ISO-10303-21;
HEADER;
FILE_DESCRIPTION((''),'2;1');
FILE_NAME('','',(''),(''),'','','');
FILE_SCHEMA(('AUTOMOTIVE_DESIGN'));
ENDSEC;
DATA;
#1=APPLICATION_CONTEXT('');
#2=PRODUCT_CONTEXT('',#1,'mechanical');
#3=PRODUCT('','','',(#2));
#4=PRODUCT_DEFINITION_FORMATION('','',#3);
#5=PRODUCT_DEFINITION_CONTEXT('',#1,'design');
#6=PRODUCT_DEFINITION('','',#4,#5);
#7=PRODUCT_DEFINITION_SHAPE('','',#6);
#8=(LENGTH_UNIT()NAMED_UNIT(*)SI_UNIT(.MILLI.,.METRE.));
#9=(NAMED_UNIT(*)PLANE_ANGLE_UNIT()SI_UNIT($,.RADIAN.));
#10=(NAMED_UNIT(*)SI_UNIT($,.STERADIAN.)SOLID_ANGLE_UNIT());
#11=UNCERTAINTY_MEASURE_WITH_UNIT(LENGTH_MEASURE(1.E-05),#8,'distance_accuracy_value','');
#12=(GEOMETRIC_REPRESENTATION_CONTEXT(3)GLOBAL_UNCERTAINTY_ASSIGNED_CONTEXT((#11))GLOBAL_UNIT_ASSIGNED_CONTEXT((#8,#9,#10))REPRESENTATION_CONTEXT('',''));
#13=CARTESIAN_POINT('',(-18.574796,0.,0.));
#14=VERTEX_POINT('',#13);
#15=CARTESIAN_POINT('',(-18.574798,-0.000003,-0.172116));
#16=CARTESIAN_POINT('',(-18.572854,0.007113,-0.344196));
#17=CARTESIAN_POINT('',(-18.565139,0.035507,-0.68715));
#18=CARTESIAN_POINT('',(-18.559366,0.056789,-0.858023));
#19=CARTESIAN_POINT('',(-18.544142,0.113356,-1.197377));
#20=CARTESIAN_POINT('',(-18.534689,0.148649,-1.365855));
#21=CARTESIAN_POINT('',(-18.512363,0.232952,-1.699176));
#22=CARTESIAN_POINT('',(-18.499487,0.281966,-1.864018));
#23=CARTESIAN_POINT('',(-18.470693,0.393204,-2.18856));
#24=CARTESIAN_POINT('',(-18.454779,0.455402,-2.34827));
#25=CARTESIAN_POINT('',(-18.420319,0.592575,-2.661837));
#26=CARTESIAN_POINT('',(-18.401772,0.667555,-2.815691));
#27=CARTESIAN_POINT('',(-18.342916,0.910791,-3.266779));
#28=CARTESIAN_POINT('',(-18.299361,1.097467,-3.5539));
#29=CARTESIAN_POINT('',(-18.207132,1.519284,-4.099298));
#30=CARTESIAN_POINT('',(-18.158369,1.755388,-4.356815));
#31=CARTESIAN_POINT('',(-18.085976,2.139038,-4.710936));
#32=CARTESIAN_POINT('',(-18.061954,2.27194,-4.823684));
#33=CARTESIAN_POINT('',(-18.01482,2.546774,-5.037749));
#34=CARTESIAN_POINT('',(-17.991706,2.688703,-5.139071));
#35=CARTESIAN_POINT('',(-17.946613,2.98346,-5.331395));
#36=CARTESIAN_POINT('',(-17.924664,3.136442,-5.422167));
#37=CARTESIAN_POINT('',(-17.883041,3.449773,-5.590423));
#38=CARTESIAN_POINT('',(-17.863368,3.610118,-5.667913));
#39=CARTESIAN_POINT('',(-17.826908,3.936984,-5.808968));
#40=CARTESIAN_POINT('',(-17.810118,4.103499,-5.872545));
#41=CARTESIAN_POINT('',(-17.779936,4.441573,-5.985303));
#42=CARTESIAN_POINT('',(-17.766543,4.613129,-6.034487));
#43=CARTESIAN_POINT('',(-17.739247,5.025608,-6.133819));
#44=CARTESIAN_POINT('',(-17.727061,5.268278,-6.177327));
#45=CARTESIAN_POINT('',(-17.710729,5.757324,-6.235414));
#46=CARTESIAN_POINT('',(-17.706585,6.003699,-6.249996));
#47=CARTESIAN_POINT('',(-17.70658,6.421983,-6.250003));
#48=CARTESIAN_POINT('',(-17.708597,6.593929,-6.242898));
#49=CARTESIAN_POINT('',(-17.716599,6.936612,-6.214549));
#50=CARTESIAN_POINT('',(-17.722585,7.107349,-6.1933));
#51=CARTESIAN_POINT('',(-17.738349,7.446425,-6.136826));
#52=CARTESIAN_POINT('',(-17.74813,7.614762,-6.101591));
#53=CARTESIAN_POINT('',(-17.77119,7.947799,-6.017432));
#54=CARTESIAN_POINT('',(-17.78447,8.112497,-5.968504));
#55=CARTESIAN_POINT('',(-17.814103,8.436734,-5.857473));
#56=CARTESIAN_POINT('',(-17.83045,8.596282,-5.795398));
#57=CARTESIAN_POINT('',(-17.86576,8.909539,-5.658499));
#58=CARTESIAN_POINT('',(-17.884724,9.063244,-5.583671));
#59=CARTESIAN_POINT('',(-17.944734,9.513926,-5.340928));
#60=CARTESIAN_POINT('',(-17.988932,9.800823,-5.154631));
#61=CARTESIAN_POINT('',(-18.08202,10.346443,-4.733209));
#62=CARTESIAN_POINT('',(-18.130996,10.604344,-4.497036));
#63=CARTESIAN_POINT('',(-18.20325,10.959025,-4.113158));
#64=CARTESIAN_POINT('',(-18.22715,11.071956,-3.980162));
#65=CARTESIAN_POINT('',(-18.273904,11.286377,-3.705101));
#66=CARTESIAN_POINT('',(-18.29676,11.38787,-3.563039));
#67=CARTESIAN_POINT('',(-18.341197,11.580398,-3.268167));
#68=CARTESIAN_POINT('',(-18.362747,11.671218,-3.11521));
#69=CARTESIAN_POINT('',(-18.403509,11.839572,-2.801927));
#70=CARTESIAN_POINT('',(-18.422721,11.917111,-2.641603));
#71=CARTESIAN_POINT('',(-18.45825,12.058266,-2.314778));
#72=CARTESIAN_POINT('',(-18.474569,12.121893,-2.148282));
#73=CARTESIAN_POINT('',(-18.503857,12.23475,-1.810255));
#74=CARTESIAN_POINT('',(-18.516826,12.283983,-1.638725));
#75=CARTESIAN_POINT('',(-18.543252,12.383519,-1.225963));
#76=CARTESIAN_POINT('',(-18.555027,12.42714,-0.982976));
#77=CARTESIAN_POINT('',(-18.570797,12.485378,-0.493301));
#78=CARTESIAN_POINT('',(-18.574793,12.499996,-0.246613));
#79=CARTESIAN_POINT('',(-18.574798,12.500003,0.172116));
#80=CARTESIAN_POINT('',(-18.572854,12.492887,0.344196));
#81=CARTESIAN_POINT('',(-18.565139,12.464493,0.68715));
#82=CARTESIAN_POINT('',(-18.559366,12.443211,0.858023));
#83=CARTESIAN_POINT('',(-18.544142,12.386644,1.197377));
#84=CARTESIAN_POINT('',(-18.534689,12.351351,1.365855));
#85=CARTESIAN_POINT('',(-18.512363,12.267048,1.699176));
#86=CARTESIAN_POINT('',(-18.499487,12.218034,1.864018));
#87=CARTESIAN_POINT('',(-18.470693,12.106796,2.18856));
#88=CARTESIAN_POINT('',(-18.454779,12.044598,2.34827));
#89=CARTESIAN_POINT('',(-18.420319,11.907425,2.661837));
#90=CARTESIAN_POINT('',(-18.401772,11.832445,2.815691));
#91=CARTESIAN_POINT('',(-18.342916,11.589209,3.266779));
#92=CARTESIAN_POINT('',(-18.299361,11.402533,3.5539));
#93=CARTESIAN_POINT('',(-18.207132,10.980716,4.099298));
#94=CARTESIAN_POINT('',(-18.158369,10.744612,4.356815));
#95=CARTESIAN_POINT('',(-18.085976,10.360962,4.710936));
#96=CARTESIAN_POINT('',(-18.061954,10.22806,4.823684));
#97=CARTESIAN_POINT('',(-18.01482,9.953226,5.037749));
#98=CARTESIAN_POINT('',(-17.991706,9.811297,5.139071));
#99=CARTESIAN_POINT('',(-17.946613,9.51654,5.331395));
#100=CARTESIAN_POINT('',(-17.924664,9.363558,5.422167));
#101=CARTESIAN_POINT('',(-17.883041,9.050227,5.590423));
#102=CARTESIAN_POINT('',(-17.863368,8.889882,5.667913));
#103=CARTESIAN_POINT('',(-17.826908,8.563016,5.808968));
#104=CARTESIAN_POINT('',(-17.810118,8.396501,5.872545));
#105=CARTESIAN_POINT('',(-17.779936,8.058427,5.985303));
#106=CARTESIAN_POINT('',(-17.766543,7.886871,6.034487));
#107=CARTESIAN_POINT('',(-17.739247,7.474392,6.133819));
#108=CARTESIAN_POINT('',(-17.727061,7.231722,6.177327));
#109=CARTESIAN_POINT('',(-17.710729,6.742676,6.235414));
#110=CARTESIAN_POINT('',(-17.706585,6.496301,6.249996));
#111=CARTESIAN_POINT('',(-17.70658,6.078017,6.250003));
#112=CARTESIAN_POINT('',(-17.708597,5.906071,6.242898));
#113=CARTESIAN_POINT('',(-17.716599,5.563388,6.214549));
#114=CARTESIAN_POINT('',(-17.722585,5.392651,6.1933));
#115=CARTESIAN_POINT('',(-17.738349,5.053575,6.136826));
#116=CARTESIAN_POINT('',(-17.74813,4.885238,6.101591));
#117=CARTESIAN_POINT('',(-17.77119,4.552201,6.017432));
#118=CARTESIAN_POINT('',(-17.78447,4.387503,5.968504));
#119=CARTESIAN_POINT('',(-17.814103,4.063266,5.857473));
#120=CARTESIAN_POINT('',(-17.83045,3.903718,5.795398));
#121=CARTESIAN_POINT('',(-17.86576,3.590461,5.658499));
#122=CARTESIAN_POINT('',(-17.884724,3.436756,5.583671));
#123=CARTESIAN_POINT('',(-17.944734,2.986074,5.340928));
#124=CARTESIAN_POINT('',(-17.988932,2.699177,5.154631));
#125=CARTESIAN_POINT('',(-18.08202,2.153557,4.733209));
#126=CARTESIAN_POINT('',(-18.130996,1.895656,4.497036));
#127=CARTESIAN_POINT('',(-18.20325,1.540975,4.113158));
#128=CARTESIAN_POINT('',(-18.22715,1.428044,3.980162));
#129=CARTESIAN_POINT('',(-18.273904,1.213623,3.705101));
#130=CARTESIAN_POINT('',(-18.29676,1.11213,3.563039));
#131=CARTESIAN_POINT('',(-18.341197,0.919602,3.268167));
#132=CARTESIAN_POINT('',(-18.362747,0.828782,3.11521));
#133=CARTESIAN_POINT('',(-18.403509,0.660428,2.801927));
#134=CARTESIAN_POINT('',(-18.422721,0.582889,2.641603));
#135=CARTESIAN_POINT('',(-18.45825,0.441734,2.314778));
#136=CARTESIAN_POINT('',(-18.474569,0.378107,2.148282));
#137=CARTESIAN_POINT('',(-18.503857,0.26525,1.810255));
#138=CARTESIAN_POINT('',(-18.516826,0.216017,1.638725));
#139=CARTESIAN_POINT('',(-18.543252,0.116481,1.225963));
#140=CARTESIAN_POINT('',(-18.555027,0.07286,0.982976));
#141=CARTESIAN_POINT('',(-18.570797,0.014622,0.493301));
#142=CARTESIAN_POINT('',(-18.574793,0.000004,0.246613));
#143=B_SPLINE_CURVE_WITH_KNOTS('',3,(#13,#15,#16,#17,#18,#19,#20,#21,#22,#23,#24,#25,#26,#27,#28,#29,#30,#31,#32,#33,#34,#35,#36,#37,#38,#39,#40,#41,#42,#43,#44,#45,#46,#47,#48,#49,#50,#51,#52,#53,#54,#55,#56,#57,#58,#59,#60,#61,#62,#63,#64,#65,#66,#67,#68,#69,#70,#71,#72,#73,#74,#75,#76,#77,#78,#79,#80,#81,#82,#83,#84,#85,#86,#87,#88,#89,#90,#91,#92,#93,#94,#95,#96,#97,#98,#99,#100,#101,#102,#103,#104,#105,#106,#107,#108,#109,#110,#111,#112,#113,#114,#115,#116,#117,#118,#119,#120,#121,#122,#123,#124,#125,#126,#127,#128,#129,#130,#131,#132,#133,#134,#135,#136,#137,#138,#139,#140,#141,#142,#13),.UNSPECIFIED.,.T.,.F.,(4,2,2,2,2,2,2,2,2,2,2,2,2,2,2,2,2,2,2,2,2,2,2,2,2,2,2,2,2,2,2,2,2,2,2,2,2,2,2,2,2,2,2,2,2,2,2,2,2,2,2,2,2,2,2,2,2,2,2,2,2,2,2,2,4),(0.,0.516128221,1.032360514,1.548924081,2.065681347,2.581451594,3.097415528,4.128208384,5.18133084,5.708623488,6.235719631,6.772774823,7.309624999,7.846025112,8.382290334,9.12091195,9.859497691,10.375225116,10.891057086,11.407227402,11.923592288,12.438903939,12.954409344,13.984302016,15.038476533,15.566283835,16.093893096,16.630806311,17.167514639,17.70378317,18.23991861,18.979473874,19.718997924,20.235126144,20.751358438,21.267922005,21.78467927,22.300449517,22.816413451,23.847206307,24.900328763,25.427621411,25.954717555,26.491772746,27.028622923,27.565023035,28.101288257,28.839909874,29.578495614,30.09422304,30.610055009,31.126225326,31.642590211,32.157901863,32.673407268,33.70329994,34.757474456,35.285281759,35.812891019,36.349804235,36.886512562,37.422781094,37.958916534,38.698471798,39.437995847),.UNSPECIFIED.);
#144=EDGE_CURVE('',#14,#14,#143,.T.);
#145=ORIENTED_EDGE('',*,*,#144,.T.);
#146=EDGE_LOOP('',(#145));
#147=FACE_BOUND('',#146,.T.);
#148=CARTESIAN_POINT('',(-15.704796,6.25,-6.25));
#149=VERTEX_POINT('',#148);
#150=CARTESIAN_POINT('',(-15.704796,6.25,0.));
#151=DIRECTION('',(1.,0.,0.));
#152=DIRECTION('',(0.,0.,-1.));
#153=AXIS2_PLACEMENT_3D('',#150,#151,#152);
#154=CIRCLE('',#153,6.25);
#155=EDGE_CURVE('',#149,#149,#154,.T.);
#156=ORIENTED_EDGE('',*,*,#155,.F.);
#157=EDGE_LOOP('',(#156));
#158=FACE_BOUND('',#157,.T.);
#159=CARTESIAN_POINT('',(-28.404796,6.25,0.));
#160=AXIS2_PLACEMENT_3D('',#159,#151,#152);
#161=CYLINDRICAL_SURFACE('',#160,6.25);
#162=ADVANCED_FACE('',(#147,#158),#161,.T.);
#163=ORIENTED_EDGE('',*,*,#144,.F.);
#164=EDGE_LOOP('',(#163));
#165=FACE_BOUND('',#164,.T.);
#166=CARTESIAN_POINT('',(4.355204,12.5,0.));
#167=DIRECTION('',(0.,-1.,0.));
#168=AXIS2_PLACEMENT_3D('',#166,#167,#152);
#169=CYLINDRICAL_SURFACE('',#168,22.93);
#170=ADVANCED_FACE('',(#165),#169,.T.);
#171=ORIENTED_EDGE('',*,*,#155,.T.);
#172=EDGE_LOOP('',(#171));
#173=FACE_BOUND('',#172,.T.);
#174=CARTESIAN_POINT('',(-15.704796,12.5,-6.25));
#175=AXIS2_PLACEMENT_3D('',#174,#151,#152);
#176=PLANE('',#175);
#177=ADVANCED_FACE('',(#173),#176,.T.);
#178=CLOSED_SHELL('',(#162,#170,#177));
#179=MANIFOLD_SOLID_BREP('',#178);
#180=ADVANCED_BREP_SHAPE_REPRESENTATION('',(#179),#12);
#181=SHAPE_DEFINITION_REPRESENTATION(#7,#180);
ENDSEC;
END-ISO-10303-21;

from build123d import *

# Parameters (mm, degrees)
EXTRUDE_1_DEPTH     = 12.5
CUT_EXTRUDE_8_DEPTH = 12.7


with BuildPart() as part:
    # 草图1 → 凸台-拉伸1 (new body)
    with BuildSketch(Plane(origin=(0, 0, 0), x_dir=(1, 0, 0), z_dir=(0, 1, 0))):
        with BuildLine():
            Line((-17.706581631, 6.25), (-15.704795665, 6.25))
            Line((-15.704795665, 6.25), (-15.704795665, -6.25))
            Line((-15.704795665, -6.25), (-17.706581631, -6.25))
            ThreePointArc((-17.706581631, -6.25), (-18.574795665, 0), (-17.706581631, 6.25))
        make_face()
    extrude(amount=EXTRUDE_1_DEPTH)

    # 草图2 → 切除-拉伸8 (cut)
    with BuildSketch(Plane(origin=(-15.704795665, 0, 0), x_dir=(0, 0, -1), z_dir=(1, 0, 0))):
        with BuildLine():
            Line((-6.25, 12.5), (-6.25, 6.25))
            ThreePointArc((-6.25, 6.25), (-4.419417382, 10.669417382), (0, 12.5))
            Line((0, 12.5), (-6.25, 12.5))
        make_face()
        with BuildLine():
            ThreePointArc((0, 12.5), (4.419417382, 10.669417382), (6.25, 6.25))
            Line((6.25, 6.25), (6.25, 12.5))
            Line((6.25, 12.5), (0, 12.5))
        make_face()
        with BuildLine():
            ThreePointArc((6.25, 6.25), (4.419417382, 1.830582618), (0, 0))
            Line((0, 0), (6.25, 0))
            Line((6.25, 0), (6.25, 6.25))
        make_face()
        with BuildLine():
            Line((-6.25, 6.25), (-6.25, 0))
            Line((-6.25, 0), (0, 0))
            ThreePointArc((0, 0), (-4.419417382, 1.830582618), (-6.25, 6.25))
        make_face()
    extrude(amount=-CUT_EXTRUDE_8_DEPTH, mode=Mode.SUBTRACT)


solid = part.part
